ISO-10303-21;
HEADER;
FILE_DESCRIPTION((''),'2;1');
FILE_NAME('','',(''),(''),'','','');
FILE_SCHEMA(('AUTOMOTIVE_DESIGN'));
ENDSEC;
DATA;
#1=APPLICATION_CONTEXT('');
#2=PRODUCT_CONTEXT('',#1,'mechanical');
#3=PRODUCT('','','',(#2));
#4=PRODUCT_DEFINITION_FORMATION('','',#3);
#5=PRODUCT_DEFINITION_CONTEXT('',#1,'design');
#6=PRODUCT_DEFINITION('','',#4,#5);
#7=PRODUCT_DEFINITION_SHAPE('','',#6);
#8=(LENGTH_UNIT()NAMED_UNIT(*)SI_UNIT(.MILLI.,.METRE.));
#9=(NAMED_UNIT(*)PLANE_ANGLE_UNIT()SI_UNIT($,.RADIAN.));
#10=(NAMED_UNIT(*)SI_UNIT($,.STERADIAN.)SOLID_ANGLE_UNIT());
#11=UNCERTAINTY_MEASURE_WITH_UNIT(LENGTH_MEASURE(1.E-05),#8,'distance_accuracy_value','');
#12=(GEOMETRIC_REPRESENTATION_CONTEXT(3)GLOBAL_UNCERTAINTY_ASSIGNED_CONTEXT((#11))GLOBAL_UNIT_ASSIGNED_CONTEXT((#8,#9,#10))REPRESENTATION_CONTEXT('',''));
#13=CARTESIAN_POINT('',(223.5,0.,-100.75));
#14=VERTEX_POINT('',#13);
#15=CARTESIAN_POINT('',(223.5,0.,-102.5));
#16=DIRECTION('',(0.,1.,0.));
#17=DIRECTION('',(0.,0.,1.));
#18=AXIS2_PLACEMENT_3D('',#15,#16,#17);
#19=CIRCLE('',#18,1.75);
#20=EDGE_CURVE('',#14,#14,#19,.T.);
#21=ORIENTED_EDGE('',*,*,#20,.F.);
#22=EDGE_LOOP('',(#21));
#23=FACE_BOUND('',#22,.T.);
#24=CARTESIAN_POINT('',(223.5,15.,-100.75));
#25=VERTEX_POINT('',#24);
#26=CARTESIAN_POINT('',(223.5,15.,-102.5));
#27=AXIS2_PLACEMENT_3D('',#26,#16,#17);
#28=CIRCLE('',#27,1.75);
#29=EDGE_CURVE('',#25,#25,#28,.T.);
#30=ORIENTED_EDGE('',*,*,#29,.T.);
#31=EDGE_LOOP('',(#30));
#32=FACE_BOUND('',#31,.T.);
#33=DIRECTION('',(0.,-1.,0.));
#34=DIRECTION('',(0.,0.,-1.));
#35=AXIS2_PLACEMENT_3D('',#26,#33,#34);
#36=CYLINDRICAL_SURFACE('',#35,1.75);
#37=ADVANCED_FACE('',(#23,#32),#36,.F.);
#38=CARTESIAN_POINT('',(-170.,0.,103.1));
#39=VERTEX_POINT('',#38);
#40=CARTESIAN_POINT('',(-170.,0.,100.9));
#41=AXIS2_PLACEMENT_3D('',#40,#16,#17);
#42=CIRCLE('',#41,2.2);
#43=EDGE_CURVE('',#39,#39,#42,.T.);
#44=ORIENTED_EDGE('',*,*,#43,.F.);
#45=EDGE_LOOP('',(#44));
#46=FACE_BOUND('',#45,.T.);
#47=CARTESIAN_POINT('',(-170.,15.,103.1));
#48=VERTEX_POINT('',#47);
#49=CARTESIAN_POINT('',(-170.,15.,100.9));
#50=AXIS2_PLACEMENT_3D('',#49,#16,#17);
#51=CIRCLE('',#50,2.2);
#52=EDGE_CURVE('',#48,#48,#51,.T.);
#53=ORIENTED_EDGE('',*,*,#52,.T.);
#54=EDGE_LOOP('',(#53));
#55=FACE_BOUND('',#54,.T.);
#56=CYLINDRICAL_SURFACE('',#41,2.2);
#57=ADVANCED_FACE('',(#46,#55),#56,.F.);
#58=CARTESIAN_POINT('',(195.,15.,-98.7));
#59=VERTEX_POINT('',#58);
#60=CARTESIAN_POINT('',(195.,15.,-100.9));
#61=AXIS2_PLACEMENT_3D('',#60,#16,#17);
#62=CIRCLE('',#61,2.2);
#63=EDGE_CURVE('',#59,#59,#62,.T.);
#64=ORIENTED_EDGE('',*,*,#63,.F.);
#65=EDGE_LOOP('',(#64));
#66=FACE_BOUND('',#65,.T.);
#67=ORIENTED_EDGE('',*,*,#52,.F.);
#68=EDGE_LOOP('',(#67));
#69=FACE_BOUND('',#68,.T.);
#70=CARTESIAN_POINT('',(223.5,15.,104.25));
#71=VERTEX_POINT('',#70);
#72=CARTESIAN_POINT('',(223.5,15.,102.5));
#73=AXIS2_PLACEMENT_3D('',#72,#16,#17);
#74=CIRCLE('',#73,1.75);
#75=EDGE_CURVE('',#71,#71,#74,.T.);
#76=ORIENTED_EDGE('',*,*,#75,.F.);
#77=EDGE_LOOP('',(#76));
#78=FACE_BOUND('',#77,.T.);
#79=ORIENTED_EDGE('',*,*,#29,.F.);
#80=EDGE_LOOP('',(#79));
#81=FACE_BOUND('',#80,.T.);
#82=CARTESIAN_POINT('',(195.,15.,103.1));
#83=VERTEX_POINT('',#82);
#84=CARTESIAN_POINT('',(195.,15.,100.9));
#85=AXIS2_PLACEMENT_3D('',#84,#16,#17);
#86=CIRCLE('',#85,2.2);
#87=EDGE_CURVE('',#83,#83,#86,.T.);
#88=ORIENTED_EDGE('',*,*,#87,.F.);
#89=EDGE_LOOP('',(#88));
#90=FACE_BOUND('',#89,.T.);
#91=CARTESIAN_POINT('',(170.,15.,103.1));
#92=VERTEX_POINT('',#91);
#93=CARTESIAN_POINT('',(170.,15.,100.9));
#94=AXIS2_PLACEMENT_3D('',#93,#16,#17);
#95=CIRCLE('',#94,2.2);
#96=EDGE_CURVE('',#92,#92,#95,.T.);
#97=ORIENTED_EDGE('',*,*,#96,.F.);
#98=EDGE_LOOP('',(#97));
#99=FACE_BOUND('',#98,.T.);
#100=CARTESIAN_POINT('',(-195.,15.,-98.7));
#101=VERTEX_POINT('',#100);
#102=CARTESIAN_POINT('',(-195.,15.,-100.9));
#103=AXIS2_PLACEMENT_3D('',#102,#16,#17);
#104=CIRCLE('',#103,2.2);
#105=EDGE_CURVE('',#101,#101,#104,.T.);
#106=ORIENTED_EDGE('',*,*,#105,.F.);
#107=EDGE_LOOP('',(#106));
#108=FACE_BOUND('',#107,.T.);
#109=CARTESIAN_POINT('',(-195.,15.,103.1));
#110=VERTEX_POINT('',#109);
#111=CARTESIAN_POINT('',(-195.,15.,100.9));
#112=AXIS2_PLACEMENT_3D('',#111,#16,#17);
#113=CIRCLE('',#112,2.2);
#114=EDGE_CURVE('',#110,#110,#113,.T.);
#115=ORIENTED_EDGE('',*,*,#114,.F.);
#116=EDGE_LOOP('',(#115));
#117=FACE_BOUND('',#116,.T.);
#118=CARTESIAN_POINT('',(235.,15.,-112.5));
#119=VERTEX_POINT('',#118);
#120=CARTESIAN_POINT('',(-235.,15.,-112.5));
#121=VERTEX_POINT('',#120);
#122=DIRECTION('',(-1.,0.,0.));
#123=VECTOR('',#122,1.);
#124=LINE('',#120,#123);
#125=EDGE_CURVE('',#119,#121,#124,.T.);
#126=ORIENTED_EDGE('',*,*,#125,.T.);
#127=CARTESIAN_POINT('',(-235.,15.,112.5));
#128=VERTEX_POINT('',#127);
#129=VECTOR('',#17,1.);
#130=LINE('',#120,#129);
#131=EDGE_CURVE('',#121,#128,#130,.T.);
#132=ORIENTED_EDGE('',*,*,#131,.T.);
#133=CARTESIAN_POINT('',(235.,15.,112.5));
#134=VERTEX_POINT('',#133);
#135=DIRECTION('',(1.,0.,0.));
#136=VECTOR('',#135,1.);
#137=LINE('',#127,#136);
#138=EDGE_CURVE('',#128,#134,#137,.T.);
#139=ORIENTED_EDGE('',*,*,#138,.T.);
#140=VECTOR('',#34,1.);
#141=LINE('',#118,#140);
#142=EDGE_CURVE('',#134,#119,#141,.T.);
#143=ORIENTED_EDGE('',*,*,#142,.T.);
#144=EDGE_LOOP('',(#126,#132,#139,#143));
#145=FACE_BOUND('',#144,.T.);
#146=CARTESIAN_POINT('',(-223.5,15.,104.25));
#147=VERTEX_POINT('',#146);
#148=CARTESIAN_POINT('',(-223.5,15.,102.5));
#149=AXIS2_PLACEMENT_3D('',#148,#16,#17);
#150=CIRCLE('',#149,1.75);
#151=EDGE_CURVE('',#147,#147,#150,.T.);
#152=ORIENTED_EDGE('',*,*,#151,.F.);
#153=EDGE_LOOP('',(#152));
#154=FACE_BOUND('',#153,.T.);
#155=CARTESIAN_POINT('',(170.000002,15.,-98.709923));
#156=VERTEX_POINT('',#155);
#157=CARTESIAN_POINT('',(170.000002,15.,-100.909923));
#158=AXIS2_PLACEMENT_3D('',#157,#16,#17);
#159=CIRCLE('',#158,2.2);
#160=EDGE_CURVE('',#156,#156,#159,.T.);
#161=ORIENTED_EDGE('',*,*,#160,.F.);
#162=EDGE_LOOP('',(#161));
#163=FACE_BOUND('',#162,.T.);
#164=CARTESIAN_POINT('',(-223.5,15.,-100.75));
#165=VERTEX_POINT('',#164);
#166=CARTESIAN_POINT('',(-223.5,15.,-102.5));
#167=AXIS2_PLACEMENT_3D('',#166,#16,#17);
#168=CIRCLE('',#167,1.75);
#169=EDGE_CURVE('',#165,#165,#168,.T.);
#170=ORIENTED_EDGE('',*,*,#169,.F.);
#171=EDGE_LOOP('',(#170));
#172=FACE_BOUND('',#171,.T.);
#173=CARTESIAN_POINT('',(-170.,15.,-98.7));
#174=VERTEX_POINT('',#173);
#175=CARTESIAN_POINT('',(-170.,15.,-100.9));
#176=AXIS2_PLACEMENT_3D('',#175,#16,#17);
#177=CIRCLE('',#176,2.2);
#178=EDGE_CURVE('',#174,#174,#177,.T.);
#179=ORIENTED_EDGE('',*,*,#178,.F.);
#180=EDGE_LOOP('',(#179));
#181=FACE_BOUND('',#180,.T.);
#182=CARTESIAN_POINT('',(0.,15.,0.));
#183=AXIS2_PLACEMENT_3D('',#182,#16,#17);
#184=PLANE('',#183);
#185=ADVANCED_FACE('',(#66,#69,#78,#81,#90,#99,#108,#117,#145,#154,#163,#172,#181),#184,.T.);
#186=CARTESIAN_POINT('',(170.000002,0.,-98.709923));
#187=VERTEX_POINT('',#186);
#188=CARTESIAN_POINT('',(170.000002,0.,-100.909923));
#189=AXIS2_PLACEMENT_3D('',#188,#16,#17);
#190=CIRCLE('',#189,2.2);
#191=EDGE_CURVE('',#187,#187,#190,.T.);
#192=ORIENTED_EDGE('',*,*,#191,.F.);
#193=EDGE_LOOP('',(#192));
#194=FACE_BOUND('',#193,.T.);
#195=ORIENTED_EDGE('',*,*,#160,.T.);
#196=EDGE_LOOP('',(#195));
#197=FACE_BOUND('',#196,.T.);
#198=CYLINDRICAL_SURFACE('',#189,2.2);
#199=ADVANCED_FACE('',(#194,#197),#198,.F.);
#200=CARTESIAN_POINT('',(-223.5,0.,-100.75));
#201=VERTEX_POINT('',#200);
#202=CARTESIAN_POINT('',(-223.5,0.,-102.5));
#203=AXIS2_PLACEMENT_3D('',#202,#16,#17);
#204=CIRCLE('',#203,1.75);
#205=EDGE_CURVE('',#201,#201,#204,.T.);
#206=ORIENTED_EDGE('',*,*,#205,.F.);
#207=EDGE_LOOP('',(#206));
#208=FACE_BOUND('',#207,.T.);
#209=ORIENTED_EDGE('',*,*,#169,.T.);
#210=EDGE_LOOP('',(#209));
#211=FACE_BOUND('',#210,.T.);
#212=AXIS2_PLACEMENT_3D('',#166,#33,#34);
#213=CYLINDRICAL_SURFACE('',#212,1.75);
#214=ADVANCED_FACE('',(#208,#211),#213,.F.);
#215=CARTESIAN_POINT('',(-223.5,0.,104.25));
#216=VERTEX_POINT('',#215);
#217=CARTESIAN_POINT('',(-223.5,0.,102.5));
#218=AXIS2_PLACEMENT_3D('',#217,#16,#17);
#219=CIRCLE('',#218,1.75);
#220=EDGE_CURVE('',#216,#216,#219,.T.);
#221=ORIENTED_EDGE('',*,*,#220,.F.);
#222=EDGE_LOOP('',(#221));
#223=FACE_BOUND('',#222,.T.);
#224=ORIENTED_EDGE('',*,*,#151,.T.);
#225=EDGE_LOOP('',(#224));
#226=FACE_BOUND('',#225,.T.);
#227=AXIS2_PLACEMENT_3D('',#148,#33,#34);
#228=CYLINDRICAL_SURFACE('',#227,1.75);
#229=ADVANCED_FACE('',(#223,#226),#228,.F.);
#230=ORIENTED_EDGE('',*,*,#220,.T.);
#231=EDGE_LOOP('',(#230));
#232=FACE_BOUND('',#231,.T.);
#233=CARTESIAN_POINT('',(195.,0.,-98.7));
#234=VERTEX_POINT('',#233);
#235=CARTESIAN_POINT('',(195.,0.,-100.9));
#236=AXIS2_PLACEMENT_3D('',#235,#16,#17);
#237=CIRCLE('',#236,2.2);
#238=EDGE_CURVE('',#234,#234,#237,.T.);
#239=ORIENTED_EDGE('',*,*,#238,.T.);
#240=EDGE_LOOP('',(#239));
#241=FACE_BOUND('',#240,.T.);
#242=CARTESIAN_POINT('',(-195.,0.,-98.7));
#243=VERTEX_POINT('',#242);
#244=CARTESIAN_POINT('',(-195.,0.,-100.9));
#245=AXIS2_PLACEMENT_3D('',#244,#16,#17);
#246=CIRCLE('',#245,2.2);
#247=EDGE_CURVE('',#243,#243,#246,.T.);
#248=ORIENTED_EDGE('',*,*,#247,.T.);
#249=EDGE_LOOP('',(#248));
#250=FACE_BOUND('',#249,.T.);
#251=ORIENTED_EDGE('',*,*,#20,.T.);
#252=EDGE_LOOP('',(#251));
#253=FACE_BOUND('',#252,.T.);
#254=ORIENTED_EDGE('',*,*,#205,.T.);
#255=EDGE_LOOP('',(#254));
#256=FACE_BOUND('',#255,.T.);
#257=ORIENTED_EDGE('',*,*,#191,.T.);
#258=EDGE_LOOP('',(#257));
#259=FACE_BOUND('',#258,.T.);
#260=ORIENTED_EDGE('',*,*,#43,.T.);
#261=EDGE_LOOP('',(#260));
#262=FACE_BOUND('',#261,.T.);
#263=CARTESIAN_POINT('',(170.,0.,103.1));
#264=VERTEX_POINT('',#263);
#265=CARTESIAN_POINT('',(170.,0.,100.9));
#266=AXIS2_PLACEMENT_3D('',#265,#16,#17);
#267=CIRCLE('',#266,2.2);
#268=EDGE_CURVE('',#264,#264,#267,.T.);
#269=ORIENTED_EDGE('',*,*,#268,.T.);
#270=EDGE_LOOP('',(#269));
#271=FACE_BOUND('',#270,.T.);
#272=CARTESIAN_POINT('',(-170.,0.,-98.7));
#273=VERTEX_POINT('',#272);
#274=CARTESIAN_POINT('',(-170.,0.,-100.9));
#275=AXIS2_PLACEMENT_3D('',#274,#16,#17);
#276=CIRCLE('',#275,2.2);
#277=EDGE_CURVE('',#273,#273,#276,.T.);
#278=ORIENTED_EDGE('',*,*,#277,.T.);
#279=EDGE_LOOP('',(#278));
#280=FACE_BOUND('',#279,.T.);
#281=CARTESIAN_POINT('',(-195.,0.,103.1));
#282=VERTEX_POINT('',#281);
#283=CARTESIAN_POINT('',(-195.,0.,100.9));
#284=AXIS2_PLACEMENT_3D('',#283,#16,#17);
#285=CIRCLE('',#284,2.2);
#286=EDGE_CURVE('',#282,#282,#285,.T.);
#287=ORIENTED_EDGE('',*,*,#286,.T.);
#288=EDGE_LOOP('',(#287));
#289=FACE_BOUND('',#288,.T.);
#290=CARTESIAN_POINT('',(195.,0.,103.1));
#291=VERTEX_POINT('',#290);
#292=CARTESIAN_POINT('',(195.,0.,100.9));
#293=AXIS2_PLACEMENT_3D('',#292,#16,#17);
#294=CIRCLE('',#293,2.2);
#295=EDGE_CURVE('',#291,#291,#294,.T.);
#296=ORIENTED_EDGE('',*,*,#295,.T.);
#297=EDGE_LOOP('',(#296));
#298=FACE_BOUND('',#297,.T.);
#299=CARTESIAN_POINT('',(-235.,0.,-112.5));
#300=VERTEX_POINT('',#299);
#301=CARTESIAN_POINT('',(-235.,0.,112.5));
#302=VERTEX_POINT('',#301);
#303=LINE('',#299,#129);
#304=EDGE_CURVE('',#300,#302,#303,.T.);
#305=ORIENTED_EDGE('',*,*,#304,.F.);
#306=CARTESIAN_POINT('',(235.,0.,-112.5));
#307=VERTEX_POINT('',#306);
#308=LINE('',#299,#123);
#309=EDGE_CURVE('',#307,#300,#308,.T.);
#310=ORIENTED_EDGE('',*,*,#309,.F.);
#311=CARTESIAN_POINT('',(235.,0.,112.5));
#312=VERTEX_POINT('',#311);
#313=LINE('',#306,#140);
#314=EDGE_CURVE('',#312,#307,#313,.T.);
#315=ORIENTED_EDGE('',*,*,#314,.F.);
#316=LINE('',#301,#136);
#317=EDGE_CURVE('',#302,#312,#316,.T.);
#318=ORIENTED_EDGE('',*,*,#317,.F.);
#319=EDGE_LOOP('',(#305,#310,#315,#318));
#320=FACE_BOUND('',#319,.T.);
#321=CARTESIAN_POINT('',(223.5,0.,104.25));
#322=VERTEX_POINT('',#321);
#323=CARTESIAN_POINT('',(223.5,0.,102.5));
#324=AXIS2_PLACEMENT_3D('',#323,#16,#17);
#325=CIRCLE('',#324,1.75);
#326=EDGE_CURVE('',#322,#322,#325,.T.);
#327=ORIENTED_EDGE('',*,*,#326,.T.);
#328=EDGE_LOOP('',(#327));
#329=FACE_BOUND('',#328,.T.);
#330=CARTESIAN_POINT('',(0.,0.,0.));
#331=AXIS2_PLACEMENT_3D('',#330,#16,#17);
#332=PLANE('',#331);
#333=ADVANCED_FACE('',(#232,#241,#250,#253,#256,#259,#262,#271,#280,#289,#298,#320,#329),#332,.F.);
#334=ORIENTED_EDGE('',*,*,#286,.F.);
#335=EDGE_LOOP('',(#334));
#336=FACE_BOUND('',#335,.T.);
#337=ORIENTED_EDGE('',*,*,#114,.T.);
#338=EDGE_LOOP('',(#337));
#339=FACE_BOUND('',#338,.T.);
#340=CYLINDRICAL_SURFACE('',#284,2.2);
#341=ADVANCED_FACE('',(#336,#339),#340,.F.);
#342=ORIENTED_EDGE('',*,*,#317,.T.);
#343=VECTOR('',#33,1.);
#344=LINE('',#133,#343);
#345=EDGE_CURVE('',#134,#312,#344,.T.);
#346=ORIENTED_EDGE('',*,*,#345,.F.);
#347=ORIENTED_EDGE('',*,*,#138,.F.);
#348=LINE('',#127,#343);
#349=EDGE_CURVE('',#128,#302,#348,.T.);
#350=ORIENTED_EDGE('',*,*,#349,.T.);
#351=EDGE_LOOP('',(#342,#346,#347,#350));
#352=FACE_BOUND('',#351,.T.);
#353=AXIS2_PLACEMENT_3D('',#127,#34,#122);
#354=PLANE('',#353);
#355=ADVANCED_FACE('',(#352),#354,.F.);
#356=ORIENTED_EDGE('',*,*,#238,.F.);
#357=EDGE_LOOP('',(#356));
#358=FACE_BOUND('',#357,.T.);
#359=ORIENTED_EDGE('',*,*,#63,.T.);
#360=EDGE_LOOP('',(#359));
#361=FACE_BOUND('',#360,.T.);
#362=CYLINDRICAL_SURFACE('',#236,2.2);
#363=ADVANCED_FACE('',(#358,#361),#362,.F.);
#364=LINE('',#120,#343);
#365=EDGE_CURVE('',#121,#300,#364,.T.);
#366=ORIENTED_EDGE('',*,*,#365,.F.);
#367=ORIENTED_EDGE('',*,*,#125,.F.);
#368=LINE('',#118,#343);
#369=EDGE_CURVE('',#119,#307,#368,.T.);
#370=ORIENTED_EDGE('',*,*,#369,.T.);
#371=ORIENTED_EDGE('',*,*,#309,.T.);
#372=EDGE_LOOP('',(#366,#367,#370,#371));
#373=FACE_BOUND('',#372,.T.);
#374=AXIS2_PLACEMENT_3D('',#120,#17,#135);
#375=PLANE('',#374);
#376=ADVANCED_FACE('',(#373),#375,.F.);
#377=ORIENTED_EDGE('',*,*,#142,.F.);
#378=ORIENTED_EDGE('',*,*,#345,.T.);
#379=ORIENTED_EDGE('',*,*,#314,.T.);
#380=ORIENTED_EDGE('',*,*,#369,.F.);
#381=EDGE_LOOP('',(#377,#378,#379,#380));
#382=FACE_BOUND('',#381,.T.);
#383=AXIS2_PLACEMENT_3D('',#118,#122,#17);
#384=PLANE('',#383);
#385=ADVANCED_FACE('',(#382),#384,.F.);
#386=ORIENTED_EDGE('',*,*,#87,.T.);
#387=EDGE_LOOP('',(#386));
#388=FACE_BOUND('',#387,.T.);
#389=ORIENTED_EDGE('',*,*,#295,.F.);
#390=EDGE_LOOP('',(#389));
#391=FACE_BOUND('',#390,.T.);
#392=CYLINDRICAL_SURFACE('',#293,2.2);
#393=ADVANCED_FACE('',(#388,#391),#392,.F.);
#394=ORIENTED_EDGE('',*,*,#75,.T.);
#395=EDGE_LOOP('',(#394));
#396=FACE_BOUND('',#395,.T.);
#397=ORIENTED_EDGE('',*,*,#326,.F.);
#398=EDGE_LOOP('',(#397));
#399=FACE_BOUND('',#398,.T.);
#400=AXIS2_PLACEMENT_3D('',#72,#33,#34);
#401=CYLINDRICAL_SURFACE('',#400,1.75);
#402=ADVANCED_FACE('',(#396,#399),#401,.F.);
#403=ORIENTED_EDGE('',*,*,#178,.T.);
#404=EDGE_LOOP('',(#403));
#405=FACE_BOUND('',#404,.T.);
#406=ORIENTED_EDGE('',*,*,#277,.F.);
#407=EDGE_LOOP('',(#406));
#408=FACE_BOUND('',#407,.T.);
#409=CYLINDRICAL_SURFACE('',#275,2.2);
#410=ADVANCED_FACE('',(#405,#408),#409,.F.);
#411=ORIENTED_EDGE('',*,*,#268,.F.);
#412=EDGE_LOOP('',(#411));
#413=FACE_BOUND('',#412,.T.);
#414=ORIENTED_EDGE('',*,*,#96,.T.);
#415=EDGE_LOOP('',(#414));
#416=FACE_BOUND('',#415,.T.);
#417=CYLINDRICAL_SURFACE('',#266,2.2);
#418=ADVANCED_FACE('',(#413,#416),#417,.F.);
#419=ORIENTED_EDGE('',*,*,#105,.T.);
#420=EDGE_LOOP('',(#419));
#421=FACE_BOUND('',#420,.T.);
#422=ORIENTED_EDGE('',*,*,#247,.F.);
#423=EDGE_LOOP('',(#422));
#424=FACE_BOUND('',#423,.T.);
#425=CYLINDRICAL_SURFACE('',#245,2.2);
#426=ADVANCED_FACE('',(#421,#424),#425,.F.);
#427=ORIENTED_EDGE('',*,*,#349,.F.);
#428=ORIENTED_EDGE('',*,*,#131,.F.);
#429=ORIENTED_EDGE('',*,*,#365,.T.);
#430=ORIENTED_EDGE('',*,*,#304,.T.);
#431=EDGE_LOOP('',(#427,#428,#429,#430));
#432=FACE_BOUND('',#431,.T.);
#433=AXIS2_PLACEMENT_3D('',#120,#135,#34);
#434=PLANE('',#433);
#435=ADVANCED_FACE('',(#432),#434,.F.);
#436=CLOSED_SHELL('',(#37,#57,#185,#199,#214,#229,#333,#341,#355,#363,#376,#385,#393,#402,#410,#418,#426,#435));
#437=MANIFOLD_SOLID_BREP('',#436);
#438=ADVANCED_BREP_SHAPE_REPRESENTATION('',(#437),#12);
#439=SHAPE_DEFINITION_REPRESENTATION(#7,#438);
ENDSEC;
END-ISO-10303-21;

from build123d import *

# Parameters (mm, degrees)
SKETCH2_W           = 470
SKETCH2_H           = 225
SKETCH2_R           = 1.75
BOSS_EXTRUDE1_DEPTH = 15
SKETCH3_R           = 2.2
CUT_EXTRUDE1_DEPTH  = 16
SKETCH4_R           = 2.2
CUT_EXTRUDE2_DEPTH  = 16


with BuildPart() as part:
    # Sketch2 → Boss-Extrude1 (new body)
    with BuildSketch(Plane(origin=(0, 0, 0), x_dir=(1, 0, 0), z_dir=(0, 1, 0))):
        Rectangle(SKETCH2_W, SKETCH2_H)
        with Locations((223.5, 102.5)):
            Circle(SKETCH2_R, mode=Mode.SUBTRACT)
        with Locations((223.5, -102.5)):
            Circle(SKETCH2_R, mode=Mode.SUBTRACT)
        with Locations((-223.5, -102.5)):
            Circle(SKETCH2_R, mode=Mode.SUBTRACT)
        with Locations((-223.5, 102.5)):
            Circle(SKETCH2_R, mode=Mode.SUBTRACT)
    extrude(amount=BOSS_EXTRUDE1_DEPTH)

    # Sketch3 → Cut-Extrude1 (cut, through all)
    with BuildSketch(Plane(origin=(0, 15, 0), x_dir=(1, 0, 0), z_dir=(0, 1, 0))):
        with Locations((-195, 100.9)):
            Circle(SKETCH3_R)
        with Locations((-170, 100.9)):
            Circle(SKETCH3_R)
        with Locations((195, 100.9)):
            Circle(SKETCH3_R)
        with Locations((170.000001969, 100.909922977)):
            Circle(SKETCH3_R)
    extrude(amount=-CUT_EXTRUDE1_DEPTH, mode=Mode.SUBTRACT)

    # Sketch4 → Cut-Extrude2 (cut, through all)
    with BuildSketch(Plane(origin=(0, 15, 0), x_dir=(1, 0, 0), z_dir=(0, 1, 0))):
        with Locations((-195, -100.9)):
            Circle(SKETCH4_R)
        with Locations((195, -100.9)):
            Circle(SKETCH4_R)
        with Locations((-170, -100.9)):
            Circle(SKETCH4_R)
        with Locations((170, -100.9)):
            Circle(SKETCH4_R)
    extrude(amount=-CUT_EXTRUDE2_DEPTH, mode=Mode.SUBTRACT)


solid = part.part
